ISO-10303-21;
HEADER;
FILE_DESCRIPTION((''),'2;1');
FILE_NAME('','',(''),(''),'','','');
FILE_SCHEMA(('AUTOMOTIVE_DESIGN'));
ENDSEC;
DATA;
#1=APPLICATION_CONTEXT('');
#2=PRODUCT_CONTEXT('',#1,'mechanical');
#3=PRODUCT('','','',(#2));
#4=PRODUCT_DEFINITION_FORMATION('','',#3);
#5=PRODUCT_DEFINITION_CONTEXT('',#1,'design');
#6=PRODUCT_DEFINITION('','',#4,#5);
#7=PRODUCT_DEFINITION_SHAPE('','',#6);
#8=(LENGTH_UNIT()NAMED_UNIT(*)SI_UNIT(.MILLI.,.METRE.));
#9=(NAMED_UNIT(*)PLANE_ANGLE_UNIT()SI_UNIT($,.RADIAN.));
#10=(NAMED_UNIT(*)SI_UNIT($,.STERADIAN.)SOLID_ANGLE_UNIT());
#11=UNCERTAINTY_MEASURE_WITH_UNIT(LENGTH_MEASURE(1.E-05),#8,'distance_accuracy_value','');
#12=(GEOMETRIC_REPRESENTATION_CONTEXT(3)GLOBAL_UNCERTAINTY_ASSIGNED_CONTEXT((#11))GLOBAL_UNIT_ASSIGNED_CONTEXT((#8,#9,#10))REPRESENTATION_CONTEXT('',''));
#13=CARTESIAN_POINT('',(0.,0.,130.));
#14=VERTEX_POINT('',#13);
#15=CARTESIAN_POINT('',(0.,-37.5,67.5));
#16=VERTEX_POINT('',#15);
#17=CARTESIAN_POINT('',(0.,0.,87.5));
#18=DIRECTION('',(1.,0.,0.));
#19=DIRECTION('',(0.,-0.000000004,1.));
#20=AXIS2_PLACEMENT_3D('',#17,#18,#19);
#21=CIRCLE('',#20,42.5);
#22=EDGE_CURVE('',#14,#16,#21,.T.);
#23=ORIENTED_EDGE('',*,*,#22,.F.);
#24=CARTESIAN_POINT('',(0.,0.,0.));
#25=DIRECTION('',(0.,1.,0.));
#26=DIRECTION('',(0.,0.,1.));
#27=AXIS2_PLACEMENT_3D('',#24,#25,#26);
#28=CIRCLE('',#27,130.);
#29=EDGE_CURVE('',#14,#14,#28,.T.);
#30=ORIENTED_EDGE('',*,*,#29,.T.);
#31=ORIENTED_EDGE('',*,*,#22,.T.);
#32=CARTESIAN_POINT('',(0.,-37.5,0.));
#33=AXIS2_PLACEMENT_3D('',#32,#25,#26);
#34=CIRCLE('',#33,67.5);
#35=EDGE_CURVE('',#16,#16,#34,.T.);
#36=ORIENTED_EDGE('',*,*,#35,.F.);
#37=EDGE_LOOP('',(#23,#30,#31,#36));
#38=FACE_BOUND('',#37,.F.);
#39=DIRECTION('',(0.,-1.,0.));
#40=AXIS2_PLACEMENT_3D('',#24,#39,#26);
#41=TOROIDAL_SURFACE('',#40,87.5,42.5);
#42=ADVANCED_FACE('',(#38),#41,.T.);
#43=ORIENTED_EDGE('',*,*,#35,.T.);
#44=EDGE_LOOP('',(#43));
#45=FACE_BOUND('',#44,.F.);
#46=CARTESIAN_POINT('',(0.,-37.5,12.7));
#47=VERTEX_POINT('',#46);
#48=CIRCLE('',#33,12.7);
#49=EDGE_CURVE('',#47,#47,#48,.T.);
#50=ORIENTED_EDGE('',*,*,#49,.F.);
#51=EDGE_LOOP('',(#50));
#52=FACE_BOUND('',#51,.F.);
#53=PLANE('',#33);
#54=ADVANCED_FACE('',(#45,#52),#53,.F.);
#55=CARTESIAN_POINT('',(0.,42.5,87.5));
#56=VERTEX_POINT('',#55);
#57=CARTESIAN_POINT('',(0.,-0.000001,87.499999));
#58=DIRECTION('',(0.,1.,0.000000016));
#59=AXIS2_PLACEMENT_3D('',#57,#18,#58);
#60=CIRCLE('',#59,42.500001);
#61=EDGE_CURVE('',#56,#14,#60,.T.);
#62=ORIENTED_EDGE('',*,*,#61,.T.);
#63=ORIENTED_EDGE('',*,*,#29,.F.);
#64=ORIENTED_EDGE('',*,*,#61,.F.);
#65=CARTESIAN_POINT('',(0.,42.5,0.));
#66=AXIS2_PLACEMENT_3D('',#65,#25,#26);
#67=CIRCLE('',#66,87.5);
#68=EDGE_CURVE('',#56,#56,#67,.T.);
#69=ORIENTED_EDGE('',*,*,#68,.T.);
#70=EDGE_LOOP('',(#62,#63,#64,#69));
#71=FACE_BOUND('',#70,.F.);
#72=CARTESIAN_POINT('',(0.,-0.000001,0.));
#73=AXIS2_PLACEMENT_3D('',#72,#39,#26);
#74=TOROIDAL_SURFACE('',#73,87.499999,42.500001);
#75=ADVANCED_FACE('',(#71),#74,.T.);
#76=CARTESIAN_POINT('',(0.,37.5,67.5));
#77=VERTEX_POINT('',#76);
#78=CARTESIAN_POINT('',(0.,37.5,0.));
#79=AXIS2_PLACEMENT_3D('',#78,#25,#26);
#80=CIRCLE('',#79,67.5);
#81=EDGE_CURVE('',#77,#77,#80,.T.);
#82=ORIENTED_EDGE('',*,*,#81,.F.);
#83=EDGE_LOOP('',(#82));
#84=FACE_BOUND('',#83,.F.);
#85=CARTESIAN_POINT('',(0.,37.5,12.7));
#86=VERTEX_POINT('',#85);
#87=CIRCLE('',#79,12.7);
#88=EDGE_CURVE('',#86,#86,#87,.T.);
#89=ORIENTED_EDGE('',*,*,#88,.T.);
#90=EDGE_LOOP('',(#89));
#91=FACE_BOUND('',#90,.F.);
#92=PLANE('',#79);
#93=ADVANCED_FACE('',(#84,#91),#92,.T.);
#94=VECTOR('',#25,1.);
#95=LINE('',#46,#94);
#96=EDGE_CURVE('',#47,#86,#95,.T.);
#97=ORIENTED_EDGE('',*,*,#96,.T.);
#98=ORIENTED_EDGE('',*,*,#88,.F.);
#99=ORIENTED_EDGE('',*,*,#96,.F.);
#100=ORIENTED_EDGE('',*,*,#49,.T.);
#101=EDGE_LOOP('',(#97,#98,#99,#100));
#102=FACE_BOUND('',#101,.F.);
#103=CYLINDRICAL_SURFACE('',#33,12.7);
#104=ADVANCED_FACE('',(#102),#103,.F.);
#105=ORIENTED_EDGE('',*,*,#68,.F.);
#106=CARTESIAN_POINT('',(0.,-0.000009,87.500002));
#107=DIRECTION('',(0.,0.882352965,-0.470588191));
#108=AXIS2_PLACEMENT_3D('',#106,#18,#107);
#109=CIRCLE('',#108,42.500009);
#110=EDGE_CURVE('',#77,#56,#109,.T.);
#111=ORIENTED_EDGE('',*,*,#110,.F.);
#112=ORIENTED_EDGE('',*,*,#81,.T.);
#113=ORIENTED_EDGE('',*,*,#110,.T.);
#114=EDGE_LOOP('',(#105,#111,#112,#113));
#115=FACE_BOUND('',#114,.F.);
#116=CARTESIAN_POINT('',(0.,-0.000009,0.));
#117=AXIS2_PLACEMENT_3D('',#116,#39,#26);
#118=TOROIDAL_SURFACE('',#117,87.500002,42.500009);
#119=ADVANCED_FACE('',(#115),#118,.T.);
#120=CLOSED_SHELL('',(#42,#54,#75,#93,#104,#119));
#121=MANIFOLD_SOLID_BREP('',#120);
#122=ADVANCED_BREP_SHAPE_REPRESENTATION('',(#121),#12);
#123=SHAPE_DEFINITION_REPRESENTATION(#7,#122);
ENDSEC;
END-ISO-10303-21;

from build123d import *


with BuildPart() as f1:
    # F0 (on Right) → F1 (revolve)
    with BuildSketch(Plane.YZ):
        with BuildLine():
            Line((-37.5, 12.7), (0, 12.7))
            Line((0, 12.7), (0, 45))
            ThreePointArc((0, 45), (-21.86607, 51.056551), (-37.5, 67.5))
            Line((-37.5, 67.5), (-37.5, 12.7))
        make_face()
        with BuildLine():
            Line((0, 45), (0, 12.7))
            Line((0, 12.7), (37.5, 12.7))
            Line((37.5, 12.7), (37.5, 67.5))
            ThreePointArc((37.5, 67.5), (21.86607, 51.056551), (0, 45))
        make_face()
        with BuildLine():
            Line((0, 130), (0, 45))
            ThreePointArc((0, 45), (21.86607, 51.056551), (37.5, 67.5))
            ThreePointArc((37.5, 67.5), (41.231056, 77.192236), (42.5, 87.5))
            ThreePointArc((42.5, 87.5), (30.052038, 117.552038), (0, 130))
        make_face()
        with BuildLine():
            ThreePointArc((-37.5, 67.5), (-21.86607, 51.056551), (0, 45))
            Line((0, 45), (0, 130))
            ThreePointArc((0, 130), (-36.443449, 109.36607), (-37.5, 67.5))
        make_face()
    revolve(axis=Axis((0, 18.75, 0), (0, 1, 0)))


solid = f1.part
